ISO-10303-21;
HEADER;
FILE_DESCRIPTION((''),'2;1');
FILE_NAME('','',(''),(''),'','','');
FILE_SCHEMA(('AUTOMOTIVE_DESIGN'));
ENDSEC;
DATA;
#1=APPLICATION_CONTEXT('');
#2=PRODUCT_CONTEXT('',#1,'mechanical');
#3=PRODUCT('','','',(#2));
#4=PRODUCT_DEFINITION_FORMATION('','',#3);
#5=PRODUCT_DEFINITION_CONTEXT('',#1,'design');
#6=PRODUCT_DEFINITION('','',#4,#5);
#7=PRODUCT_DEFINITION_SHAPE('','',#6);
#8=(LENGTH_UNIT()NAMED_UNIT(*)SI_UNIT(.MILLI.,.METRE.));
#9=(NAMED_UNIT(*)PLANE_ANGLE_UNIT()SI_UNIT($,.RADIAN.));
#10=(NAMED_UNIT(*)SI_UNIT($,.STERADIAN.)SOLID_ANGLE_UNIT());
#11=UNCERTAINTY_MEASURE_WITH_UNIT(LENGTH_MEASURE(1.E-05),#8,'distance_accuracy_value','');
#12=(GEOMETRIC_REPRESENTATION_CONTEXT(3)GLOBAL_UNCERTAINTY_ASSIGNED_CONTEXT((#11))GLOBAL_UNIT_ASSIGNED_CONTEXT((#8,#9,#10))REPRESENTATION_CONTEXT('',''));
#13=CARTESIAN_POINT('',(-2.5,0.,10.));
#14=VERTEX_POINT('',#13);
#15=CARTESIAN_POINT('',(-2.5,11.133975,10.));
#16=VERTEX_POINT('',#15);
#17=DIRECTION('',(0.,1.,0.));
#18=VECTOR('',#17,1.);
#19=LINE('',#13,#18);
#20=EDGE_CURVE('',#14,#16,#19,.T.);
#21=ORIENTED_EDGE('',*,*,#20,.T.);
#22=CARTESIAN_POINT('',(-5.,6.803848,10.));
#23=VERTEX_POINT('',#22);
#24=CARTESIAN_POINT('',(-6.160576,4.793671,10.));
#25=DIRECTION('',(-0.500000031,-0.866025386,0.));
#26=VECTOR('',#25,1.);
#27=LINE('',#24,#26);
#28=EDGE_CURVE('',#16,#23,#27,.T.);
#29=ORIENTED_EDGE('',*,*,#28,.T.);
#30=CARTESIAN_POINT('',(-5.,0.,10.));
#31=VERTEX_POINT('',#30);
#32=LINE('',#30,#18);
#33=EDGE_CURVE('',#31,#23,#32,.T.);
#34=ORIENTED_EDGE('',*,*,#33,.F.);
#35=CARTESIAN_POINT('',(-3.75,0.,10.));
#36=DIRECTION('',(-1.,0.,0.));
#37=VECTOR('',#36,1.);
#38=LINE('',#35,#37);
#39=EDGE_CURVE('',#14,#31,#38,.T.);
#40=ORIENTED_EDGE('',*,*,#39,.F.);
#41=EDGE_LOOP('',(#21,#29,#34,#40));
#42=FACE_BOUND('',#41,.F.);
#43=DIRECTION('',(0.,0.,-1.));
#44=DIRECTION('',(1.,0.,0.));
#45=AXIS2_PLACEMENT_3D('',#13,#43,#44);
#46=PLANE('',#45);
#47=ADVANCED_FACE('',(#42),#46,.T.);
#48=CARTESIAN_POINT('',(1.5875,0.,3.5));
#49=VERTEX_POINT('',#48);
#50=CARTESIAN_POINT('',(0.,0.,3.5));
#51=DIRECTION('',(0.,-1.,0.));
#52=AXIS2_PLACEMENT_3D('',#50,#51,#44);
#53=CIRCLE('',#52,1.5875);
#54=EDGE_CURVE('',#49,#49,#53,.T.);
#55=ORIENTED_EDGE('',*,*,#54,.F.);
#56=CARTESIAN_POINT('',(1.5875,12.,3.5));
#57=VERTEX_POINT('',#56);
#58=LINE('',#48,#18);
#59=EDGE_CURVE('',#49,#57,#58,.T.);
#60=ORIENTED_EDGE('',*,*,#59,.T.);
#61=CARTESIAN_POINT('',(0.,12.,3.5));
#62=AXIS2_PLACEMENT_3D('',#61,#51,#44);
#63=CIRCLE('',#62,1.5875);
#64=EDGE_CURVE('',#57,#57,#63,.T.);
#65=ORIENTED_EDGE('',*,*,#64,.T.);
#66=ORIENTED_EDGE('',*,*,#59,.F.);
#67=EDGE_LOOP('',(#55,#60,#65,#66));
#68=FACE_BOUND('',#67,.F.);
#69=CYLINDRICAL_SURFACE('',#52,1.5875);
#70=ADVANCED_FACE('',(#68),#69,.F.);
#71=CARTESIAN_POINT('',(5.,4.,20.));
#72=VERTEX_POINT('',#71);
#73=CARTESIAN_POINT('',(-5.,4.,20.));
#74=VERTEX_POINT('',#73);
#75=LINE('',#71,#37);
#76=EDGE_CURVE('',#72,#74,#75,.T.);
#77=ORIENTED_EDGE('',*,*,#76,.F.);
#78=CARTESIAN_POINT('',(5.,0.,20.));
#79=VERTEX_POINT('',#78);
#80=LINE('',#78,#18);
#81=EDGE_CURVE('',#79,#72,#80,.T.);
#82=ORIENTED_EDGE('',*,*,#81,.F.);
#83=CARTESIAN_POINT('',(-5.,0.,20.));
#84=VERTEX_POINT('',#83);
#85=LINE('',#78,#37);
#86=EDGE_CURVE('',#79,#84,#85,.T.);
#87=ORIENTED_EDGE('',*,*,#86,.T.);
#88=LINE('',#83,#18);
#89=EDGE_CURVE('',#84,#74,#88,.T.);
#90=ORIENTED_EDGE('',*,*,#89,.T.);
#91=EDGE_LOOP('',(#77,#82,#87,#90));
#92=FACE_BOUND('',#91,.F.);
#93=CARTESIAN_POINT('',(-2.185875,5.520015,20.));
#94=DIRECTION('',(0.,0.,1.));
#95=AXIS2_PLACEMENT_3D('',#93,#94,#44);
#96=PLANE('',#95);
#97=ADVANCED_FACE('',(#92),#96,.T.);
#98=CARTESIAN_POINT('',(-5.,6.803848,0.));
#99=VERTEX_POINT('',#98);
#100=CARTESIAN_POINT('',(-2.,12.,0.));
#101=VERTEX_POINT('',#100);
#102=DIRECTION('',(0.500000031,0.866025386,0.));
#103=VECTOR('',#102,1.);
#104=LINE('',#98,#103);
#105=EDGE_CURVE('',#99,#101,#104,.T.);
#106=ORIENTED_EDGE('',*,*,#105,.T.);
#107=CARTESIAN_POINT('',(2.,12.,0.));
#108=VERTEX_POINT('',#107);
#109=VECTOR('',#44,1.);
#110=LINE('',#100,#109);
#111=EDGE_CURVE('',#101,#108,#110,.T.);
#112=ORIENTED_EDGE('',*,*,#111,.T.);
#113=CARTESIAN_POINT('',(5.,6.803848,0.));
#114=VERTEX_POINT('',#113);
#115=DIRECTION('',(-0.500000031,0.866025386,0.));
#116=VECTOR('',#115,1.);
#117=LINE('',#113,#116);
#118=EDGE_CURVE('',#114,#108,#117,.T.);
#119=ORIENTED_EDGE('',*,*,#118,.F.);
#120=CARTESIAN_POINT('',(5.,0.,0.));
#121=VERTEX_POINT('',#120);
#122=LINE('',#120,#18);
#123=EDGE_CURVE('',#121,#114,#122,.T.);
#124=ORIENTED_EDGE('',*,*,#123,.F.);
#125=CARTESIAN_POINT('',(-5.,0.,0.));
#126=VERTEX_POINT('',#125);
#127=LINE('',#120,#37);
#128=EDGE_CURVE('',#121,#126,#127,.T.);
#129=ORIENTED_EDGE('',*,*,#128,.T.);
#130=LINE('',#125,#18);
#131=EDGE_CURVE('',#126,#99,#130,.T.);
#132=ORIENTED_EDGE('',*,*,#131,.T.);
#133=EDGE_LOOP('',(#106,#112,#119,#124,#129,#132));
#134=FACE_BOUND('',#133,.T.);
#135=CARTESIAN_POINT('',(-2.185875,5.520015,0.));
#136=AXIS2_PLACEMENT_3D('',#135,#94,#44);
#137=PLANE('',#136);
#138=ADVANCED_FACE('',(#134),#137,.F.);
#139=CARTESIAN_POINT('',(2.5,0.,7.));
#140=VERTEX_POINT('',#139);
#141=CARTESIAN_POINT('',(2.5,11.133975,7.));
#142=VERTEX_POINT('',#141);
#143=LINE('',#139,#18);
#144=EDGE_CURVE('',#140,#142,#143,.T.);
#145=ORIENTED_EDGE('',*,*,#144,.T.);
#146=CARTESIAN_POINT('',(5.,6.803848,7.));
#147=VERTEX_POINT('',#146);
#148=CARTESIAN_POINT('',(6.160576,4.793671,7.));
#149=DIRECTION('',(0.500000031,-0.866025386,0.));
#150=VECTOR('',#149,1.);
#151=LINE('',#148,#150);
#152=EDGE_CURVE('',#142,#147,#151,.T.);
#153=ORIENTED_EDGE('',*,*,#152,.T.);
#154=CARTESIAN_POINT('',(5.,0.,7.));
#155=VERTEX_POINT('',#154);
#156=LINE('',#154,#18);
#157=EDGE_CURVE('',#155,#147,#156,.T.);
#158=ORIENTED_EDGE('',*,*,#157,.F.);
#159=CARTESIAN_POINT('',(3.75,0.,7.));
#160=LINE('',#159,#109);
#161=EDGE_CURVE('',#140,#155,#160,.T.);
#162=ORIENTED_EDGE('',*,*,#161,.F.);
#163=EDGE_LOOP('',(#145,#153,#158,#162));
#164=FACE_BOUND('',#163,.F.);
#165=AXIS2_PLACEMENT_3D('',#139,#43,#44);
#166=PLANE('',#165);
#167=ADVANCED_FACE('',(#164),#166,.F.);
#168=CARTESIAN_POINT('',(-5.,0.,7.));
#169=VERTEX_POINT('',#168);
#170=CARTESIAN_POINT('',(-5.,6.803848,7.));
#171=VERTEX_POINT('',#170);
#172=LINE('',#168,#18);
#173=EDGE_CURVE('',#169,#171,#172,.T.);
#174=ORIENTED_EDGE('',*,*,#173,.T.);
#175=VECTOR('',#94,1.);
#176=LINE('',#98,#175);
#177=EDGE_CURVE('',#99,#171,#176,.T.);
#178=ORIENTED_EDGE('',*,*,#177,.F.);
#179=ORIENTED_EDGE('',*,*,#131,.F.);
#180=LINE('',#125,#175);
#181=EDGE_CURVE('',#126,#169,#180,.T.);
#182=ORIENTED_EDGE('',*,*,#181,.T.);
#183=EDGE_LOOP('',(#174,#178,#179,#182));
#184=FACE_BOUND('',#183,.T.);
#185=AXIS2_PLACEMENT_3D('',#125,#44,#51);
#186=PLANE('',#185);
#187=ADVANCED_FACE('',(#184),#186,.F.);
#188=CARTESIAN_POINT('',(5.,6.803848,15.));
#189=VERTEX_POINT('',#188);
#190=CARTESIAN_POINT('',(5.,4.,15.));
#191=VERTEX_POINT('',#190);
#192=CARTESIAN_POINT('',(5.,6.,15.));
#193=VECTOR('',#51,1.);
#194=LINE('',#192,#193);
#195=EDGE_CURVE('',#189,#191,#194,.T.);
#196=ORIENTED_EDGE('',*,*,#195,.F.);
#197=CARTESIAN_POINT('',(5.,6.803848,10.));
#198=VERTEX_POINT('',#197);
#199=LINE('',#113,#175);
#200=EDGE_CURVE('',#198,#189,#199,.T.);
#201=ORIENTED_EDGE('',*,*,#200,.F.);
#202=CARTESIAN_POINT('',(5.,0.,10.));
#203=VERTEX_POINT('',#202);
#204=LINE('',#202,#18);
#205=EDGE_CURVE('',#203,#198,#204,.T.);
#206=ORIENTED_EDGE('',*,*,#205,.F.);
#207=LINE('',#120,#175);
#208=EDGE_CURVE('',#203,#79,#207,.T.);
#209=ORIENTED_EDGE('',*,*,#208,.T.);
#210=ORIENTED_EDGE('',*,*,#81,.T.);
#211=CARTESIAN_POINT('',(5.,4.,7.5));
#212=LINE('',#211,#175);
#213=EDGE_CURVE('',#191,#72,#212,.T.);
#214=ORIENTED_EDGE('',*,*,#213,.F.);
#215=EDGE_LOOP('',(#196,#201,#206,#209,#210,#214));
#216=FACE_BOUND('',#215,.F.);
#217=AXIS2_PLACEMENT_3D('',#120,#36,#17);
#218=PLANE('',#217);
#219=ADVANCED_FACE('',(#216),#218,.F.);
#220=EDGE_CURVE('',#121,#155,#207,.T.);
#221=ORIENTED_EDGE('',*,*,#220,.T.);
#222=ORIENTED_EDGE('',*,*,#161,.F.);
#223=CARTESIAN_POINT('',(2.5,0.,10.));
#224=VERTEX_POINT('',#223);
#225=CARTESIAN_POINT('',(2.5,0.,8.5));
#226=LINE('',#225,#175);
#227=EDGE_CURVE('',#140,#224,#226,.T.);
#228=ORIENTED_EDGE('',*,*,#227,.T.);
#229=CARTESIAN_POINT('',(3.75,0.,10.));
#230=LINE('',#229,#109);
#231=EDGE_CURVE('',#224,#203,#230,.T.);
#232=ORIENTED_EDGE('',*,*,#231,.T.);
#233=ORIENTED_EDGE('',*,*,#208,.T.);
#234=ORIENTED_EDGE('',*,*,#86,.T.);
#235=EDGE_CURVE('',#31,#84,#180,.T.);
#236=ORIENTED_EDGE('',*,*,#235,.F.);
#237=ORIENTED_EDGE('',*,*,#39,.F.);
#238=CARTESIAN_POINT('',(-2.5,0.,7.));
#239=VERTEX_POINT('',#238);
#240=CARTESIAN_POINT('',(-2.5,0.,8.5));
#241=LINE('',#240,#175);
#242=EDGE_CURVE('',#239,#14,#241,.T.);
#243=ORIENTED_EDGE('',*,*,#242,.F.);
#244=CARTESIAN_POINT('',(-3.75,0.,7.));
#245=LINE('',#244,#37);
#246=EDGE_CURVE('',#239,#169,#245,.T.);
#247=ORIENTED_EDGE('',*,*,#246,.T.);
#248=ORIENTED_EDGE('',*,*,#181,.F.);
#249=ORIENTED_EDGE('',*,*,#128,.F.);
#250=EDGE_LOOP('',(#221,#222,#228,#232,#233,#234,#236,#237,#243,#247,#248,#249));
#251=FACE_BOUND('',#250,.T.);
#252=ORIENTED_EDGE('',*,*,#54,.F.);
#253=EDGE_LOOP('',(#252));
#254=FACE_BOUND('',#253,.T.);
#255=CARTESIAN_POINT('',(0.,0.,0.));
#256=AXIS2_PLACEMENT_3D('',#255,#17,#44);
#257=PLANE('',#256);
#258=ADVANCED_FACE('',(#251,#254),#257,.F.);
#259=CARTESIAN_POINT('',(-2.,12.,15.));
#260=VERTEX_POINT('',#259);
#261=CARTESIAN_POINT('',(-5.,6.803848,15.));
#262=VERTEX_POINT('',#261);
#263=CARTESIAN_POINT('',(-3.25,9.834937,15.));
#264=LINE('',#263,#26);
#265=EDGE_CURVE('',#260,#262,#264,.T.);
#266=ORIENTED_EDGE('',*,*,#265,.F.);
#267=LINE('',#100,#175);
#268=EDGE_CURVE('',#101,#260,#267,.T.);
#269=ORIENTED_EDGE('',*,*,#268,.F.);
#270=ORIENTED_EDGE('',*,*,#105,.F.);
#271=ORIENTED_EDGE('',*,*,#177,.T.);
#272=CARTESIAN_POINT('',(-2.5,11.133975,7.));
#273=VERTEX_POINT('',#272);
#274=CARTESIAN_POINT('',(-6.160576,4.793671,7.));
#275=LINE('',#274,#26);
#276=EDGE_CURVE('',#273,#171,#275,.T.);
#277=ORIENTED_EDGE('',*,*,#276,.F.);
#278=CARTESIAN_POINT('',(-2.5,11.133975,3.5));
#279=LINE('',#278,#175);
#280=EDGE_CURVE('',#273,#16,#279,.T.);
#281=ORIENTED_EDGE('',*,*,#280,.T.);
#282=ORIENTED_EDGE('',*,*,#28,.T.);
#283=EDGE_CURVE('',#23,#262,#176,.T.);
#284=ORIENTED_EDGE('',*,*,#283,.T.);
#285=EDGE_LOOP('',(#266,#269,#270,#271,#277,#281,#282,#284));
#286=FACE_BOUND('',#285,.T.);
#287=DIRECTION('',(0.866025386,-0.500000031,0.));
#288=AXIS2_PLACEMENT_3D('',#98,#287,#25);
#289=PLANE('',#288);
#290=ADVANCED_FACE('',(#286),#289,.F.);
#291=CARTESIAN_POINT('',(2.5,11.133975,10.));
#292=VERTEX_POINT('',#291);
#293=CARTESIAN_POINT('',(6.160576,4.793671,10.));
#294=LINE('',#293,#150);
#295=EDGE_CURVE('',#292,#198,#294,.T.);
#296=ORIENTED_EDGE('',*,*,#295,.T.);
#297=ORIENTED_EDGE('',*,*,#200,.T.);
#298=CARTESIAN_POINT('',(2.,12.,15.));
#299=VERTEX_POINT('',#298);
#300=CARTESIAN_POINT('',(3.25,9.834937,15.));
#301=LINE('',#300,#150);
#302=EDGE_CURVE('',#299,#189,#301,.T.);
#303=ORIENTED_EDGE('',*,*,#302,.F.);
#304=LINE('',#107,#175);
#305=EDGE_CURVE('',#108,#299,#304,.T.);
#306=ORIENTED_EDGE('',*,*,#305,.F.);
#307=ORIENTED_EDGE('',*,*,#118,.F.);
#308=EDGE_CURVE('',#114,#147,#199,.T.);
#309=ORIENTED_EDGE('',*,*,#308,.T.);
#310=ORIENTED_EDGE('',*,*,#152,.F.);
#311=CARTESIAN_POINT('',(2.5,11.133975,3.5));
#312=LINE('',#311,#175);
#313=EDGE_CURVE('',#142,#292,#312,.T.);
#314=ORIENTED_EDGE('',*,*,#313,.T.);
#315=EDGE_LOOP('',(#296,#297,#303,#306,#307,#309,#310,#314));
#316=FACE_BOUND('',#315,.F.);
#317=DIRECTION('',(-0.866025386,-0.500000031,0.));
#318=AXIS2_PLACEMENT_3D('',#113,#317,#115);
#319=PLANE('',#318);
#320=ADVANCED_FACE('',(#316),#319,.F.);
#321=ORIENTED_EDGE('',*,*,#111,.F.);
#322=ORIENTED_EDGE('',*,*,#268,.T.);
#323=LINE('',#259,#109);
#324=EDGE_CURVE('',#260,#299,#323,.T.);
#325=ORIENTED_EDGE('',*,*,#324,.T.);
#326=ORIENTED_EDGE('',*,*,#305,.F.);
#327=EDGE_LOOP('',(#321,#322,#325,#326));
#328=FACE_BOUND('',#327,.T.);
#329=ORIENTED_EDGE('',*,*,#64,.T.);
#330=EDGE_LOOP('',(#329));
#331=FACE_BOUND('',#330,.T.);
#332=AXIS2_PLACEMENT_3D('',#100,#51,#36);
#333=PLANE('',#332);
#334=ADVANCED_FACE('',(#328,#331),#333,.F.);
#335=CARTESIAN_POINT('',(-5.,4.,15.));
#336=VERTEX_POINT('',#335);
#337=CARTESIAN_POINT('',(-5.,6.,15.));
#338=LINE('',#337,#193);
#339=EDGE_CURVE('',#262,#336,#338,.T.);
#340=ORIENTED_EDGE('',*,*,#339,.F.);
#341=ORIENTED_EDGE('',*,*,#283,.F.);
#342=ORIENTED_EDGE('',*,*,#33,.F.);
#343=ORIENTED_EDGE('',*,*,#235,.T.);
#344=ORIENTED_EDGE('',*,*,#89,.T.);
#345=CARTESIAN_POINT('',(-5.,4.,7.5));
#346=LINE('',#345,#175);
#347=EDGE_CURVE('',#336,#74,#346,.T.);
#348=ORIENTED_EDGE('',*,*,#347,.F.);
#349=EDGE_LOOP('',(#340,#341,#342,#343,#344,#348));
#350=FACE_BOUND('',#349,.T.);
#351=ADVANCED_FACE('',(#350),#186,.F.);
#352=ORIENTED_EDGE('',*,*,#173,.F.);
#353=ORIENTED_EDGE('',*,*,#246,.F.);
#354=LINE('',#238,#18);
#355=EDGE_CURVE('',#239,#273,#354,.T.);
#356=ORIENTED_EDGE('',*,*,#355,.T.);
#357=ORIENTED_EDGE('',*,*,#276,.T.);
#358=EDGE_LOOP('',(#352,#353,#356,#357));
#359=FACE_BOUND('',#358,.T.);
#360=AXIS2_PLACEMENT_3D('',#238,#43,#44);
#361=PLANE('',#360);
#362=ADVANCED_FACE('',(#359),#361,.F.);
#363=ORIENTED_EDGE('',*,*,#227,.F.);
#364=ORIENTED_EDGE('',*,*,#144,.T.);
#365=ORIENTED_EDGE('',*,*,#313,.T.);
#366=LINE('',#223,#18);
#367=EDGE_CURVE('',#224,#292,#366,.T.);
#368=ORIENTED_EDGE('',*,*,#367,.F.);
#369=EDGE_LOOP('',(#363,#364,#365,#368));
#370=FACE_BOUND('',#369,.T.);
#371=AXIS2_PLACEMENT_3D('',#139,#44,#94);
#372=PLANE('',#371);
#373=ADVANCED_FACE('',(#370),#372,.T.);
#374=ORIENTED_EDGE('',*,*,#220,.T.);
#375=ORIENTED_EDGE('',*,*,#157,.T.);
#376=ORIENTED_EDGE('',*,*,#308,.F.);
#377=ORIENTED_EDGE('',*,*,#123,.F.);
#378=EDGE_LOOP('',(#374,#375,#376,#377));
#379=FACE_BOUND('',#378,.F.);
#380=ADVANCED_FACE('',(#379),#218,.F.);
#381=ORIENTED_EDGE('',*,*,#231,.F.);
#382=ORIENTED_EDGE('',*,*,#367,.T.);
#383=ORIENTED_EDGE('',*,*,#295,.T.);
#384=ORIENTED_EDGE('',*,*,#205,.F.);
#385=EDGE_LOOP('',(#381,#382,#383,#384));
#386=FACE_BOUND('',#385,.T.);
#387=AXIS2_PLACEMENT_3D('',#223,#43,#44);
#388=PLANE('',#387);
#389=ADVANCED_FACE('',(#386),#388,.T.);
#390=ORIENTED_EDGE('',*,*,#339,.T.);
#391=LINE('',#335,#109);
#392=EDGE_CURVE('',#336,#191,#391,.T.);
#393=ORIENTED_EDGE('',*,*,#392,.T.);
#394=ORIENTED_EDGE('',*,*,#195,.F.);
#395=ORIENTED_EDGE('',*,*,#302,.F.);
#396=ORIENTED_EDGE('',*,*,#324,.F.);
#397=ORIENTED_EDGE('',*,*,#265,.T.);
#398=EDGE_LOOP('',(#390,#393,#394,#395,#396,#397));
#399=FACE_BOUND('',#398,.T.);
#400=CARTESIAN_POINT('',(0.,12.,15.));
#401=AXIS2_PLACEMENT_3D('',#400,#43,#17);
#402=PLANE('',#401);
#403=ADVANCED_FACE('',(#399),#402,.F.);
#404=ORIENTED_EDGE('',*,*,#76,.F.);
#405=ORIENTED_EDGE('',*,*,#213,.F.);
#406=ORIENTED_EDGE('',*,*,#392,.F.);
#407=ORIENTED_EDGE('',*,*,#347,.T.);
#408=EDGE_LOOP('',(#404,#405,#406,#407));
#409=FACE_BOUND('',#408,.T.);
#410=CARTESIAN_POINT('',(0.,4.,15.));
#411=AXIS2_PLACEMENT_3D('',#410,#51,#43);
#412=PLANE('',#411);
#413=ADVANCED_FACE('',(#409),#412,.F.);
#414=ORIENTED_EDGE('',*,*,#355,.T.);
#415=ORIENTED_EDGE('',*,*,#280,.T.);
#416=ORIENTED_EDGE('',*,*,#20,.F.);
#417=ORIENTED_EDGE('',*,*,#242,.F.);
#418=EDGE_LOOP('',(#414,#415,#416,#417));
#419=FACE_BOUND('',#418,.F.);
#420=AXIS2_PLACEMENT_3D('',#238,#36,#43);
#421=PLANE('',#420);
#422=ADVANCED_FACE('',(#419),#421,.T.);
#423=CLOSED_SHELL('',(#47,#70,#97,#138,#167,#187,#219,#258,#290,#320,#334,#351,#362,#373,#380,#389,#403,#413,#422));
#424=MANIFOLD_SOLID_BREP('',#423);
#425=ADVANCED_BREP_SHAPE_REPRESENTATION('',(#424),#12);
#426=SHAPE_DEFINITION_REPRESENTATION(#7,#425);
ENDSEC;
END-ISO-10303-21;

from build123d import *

# Parameters (mm, degrees)
F1_DEPTH = 20
F2_W     = 8
F2_H     = 5
F3_DEPTH = 25.4
F4_W     = 2.5
F4_H     = 3
F5_DEPTH = 38.1
F7_R     = 1.5875
F8_DEPTH = 25.4


with BuildPart() as f1:
    # F0 (on Top) → F1 (new body)
    with BuildSketch(Plane.XY):
        Polygon((0, 12), (0, 0), (5, 0), (5, 6.803848), (2, 12), align=None)
    extrude(amount=F1_DEPTH)

    # F2 (on face) → F3 (cut)
    with BuildSketch(Plane(origin=(0, 0, 0), x_dir=(0, -1, 0), z_dir=(-1, 0, 0))):
        with Locations((-8, 17.5)):
            Rectangle(F2_W, F2_H)
    extrude(amount=-F3_DEPTH, mode=Mode.SUBTRACT)

    # F4 (on face) → F5 (cut)
    with BuildSketch(Plane.XZ):
        with Locations((3.75, 8.5)):
            Rectangle(F4_W, F4_H)
    extrude(amount=-F5_DEPTH, mode=Mode.SUBTRACT)

    # F6: F1 across face


with BuildPart() as f1_1:
    add(f1.part)
    add(f1.part.mirror(Plane(origin=(0, 5.6, 8.5), x_dir=(0, -1, 0), z_dir=(-1, 0, 0))))

    # F7 (on face) → F8 (cut)
    with BuildSketch(Plane.XZ):
        with Locations((0, 3.5)):
            Circle(F7_R)
    extrude(amount=-F8_DEPTH, mode=Mode.SUBTRACT)


solid = f1_1.part
